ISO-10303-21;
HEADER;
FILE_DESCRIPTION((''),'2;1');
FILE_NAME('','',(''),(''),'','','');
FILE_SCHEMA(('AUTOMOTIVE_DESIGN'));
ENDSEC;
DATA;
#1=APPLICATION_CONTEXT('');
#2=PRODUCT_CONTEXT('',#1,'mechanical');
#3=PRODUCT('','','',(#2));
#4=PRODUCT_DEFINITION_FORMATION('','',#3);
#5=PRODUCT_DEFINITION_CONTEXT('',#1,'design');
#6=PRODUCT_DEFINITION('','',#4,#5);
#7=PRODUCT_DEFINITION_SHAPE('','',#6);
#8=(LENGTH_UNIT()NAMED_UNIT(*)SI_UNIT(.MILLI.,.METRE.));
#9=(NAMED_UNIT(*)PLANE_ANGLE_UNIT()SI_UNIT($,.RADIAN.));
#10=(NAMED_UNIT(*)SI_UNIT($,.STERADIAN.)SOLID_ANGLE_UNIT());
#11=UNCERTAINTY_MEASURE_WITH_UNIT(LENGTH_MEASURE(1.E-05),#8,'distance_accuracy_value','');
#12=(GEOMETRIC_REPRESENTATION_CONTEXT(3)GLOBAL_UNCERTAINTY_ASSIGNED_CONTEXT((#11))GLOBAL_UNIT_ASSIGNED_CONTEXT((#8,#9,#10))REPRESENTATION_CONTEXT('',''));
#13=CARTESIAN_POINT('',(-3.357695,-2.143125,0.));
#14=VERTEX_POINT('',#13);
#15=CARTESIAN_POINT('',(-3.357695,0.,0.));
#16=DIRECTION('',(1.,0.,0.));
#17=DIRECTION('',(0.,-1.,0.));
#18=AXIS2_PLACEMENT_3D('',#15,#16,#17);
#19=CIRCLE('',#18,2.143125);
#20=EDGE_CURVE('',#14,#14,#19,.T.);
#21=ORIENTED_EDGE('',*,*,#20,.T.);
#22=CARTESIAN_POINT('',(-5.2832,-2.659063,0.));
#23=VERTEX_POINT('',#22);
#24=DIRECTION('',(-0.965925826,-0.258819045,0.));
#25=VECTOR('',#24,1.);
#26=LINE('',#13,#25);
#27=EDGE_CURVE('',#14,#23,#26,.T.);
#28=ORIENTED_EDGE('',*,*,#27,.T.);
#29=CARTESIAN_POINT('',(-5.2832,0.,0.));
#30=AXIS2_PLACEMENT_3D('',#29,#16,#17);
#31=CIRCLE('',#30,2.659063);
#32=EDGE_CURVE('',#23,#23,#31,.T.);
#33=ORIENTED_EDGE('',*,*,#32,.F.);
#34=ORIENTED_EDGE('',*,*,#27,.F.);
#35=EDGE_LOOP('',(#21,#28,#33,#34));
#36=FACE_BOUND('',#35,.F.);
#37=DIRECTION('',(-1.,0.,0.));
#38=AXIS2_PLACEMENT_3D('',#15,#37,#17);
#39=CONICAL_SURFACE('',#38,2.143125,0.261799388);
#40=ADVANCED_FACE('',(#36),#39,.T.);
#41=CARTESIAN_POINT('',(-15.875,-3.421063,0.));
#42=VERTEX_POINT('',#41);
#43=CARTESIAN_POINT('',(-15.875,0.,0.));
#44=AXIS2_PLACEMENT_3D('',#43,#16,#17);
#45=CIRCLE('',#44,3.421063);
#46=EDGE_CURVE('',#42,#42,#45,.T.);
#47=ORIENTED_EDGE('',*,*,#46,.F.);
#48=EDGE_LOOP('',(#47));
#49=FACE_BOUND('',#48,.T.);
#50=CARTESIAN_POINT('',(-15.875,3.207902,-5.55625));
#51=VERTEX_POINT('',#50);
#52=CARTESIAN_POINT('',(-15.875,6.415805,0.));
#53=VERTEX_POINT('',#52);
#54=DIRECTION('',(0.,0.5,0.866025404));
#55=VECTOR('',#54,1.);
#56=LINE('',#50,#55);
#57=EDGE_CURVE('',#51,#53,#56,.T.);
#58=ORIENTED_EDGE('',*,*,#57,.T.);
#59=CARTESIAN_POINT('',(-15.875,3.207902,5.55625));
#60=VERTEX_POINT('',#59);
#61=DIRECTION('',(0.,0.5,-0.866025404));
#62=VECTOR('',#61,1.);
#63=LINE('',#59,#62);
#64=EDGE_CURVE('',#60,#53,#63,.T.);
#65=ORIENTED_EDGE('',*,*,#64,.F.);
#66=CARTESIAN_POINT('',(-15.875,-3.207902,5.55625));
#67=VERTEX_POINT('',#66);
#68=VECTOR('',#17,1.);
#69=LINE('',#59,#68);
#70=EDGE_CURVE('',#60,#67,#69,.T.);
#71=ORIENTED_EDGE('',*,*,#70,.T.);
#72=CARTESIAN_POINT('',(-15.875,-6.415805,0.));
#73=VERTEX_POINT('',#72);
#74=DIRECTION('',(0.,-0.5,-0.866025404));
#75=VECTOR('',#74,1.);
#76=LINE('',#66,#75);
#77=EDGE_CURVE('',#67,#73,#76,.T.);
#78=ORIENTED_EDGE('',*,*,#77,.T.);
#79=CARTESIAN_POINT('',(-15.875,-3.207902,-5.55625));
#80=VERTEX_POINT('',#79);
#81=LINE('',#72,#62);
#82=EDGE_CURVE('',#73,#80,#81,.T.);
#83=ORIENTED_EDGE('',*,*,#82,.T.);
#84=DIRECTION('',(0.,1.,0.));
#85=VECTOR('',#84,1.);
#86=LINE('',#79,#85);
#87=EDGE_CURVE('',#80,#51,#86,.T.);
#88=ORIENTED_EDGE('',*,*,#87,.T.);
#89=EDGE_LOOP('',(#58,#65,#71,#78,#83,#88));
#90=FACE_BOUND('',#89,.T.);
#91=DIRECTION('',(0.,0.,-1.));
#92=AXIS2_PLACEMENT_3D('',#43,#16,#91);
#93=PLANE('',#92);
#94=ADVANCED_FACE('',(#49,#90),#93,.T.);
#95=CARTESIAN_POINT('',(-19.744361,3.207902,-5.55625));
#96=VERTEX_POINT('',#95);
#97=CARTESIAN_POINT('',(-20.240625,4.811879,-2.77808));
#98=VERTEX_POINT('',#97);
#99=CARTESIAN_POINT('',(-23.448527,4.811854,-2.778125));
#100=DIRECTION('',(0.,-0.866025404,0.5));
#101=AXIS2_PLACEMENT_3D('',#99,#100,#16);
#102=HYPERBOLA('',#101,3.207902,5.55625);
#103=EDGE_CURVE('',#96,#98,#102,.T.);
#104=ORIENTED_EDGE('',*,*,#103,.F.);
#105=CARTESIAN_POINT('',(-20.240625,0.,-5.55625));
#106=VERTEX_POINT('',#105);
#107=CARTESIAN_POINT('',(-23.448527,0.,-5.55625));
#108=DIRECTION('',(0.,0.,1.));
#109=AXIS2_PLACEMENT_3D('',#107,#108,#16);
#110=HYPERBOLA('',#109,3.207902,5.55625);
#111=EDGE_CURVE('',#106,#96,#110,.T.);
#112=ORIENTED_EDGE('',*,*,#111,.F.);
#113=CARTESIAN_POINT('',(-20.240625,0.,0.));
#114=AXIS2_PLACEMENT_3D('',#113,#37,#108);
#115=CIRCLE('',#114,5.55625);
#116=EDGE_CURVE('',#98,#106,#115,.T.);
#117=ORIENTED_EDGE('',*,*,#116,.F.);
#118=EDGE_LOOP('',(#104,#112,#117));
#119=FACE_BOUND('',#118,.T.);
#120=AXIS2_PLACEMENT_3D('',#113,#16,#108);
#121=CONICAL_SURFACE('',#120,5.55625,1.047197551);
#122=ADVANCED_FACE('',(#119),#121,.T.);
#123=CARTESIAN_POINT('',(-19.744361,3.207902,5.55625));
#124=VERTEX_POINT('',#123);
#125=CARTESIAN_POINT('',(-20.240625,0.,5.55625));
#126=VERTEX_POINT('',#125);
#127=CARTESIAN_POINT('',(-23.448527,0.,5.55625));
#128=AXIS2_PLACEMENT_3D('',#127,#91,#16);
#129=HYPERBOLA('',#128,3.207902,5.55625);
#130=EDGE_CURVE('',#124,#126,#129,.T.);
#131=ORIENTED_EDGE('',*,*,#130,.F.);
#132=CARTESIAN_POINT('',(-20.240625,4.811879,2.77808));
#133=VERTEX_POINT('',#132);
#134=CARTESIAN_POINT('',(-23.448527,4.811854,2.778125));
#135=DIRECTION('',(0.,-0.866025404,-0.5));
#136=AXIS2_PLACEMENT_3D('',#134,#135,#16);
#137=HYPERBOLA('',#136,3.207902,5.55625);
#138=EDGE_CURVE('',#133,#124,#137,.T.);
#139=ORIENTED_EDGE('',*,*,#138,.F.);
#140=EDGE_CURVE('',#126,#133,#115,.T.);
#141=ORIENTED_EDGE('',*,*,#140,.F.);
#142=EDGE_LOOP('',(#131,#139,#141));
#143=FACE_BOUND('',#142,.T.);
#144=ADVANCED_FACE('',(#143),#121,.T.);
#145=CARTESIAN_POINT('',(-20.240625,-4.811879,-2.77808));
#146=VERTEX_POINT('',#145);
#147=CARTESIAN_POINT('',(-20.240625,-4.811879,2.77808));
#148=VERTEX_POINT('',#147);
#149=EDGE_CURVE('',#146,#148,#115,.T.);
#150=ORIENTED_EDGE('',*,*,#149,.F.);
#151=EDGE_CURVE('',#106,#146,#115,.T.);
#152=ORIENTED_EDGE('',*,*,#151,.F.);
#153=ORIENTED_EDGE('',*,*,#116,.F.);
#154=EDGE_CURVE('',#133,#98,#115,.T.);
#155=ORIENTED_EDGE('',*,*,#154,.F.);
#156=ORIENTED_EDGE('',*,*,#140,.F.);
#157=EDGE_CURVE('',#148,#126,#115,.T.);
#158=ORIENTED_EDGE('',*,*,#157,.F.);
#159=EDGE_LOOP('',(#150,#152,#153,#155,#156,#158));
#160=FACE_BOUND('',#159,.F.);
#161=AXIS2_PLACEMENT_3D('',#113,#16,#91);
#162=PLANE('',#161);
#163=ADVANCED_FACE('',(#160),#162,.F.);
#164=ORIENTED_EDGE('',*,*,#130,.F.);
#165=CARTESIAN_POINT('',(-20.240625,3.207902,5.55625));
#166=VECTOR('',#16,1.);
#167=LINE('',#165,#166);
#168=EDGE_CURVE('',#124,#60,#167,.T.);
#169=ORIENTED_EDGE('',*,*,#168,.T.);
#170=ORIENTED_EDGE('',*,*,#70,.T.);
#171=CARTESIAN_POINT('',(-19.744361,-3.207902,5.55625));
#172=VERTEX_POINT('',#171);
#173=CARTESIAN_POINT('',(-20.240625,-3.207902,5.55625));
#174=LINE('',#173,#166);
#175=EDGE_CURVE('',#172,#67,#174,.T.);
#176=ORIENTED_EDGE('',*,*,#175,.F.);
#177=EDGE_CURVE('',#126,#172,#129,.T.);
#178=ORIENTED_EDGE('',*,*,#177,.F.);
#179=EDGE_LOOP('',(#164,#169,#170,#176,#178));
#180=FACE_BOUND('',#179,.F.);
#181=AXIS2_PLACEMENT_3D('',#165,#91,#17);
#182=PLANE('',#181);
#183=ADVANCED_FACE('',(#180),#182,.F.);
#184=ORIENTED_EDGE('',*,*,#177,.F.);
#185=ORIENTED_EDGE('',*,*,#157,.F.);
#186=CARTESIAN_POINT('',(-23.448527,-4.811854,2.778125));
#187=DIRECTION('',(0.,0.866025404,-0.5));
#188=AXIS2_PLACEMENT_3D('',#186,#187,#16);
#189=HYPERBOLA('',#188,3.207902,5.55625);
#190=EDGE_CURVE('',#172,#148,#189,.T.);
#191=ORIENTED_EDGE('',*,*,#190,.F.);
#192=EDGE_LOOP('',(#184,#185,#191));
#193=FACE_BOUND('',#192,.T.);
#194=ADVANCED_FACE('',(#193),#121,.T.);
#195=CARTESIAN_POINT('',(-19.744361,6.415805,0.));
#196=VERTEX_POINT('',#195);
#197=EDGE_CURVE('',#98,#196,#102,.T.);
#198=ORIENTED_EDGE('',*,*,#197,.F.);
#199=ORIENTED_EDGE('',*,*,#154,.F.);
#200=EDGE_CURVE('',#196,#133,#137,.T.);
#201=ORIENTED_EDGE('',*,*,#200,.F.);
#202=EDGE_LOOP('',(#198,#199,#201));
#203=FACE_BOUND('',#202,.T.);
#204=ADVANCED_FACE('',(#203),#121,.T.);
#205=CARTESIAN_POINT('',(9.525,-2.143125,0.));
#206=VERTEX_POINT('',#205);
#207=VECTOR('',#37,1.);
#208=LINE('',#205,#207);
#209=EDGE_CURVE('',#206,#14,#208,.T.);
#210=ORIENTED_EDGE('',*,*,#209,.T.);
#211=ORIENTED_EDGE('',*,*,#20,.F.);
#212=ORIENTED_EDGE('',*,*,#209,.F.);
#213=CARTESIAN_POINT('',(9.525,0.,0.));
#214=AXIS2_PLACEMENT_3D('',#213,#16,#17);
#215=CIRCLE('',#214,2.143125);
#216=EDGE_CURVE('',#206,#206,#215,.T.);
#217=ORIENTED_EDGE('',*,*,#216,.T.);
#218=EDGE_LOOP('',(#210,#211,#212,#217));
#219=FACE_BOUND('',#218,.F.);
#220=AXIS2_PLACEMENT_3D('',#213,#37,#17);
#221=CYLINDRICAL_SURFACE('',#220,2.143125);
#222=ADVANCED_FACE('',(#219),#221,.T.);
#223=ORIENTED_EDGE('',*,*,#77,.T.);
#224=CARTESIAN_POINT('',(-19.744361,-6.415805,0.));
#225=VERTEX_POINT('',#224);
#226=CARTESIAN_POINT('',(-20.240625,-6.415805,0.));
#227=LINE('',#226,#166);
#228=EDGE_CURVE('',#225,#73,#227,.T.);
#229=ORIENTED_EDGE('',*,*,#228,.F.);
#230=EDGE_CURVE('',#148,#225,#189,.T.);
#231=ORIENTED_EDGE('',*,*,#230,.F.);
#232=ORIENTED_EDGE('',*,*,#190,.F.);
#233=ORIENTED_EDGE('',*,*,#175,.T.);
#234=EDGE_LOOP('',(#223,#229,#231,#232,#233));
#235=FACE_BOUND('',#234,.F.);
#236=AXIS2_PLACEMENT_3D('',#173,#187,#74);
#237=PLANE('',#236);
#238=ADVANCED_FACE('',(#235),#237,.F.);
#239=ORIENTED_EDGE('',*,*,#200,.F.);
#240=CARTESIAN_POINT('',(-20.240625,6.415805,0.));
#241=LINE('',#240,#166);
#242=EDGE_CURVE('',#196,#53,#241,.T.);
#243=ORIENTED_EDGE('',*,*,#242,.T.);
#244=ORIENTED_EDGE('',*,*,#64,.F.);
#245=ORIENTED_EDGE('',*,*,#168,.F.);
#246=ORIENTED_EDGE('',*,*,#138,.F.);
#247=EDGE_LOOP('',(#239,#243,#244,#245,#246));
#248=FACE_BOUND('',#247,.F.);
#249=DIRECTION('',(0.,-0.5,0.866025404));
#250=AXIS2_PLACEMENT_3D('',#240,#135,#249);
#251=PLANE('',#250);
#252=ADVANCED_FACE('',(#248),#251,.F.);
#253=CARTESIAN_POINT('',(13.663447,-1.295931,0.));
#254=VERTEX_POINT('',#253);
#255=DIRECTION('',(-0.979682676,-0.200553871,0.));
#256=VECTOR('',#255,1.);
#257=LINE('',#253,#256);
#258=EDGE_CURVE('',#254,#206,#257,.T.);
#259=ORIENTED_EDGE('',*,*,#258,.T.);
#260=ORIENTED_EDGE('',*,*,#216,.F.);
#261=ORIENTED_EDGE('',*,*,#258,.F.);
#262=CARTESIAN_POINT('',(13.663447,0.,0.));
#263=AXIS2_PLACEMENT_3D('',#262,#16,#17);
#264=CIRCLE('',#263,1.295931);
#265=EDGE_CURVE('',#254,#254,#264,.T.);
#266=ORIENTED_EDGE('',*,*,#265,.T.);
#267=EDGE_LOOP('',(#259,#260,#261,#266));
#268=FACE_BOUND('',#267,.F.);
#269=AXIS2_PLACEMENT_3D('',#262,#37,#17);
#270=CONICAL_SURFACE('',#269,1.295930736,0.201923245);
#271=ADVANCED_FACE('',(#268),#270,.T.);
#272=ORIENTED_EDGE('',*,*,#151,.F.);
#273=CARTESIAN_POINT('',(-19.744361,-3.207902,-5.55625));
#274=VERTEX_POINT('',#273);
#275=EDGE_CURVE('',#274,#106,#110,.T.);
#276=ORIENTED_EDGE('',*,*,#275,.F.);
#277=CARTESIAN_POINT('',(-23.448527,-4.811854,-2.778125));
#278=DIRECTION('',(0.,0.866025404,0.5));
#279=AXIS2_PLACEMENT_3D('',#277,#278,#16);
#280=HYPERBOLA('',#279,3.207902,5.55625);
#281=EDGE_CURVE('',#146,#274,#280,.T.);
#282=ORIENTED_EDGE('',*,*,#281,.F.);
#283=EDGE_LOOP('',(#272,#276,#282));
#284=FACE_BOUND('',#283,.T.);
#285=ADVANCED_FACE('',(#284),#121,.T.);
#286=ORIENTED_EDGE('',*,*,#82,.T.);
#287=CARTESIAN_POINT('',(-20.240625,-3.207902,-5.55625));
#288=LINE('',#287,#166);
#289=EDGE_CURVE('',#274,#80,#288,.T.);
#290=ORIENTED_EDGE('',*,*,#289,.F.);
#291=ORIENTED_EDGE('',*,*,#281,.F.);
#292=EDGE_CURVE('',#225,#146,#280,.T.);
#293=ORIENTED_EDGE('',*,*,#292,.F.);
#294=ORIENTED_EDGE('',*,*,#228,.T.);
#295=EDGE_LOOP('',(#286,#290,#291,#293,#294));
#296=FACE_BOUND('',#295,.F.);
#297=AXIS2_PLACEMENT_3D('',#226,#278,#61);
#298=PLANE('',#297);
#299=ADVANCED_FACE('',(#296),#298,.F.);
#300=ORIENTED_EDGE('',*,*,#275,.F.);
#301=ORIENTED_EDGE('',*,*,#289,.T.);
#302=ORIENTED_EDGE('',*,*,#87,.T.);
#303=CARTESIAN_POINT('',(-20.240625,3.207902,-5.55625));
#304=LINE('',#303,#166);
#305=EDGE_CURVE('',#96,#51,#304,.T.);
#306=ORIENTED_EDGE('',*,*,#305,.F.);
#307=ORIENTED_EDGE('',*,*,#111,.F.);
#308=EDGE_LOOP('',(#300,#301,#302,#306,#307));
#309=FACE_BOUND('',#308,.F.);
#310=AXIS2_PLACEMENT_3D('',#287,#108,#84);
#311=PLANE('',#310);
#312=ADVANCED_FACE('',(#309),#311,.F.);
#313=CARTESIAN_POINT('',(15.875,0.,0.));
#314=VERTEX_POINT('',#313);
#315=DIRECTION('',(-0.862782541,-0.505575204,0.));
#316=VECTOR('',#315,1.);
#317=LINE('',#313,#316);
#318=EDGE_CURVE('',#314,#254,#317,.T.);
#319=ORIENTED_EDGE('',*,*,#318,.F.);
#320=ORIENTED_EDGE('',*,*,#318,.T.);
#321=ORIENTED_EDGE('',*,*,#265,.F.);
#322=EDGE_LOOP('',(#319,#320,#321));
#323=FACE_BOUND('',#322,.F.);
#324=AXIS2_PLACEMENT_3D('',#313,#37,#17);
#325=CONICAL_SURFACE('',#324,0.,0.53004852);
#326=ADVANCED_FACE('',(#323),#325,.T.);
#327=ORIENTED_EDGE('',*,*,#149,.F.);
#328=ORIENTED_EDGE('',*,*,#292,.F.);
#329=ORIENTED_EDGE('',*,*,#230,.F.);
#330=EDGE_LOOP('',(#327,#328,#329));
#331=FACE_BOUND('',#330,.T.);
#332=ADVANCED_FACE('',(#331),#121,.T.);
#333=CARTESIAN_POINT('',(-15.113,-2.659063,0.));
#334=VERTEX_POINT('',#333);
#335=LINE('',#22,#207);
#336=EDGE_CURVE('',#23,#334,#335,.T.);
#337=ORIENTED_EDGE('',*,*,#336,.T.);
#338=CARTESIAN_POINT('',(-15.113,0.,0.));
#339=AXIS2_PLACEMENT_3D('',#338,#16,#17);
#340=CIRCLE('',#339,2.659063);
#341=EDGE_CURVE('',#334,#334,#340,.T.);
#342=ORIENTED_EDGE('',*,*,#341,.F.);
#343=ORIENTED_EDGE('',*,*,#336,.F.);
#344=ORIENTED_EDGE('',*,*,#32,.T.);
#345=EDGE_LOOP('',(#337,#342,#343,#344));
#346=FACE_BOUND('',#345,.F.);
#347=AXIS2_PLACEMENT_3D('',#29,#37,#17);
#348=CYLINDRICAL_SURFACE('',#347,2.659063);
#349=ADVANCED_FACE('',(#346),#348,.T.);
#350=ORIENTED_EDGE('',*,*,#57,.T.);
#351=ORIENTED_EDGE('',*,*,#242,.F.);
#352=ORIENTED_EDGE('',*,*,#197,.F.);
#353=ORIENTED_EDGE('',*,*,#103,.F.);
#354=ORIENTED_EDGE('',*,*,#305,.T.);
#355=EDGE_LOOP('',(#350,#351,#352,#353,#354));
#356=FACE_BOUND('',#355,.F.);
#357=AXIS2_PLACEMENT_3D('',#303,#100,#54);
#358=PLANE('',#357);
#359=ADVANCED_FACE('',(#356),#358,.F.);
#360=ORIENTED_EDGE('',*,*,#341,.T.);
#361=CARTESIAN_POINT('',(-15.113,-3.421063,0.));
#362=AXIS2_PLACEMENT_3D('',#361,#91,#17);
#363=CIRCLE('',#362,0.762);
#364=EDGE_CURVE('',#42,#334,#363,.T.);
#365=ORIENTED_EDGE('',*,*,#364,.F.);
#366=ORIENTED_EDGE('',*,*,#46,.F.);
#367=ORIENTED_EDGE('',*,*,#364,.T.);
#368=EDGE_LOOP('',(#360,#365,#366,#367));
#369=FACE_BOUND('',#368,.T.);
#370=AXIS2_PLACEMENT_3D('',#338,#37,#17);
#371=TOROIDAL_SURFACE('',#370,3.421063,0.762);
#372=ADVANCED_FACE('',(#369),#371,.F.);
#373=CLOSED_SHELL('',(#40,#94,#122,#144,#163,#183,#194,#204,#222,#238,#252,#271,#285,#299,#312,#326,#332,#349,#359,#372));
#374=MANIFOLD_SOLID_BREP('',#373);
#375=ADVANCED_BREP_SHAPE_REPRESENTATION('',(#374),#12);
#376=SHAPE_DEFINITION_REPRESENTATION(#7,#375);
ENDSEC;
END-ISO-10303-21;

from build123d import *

# Parameters (mm, degrees)
BOSS_EXTRUDE2_START = -20.240625
BOSS_EXTRUDE2_DEPTH = 4.365625
SKETCH16_OUTSIDE_W  = 153.074
SKETCH16_OUTSIDE_H  = 154.794
SKETCH16_OUTSIDE_R  = 5.55625
CUT_EXTRUDE7_DEPTH  = 38.099499124
CUT_EXTRUDE7_DRAFT  = -60
FILLET1_R           = 0.762


with BuildPart() as part:
    # Sketch6 → Revolve1 (revolve)
    with BuildSketch(Plane.XY, mode=Mode.PRIVATE) as revolve1_sk:
        Polygon((9.525, 2.143125), (-3.357695036, 2.143125), (-5.2832, 2.6590625), (-15.875, 2.6590625), (-15.875, 5.55625), (-20.240625, 5.55625), (-20.240625, 0), (15.875, 0), (13.663446892, 1.295930736), align=None)
    revolve(revolve1_sk.sketch.rotate(Axis((-20.240625, 0, 0), (1, 0, 0)), 180), axis=Axis((-20.240625, 0, 0), (1, 0, 0)))

    # Sketch15 → Boss-Extrude2 (add)
    with BuildSketch(Plane(origin=(0, 0, 0), x_dir=(0, 0, -1), z_dir=(1, 0, 0)).offset(BOSS_EXTRUDE2_START)):
        Polygon((0, 6.415804866), (-5.55625, 3.207902433), (-5.55625, -3.207902433), (0, -6.415804866), (5.55625, -3.207902433), (5.55625, 3.207902433), align=None)
    extrude(amount=BOSS_EXTRUDE2_DEPTH)


with BuildPart() as cut_extrude7_tool:
    # Sketch16 outside → Cut-Extrude7 (with draft: the straight prism first)
    with BuildSketch(Plane.ZY.offset(20.240625)):
        Rectangle(SKETCH16_OUTSIDE_W, SKETCH16_OUTSIDE_H)
        Circle(SKETCH16_OUTSIDE_R, mode=Mode.SUBTRACT)
    extrude(amount=-CUT_EXTRUDE7_DEPTH)
    # Cut-Extrude7: the draft: its side faces are tilted about the plane it starts from
    cut_extrude7_sides = [cut_extrude7_tool.faces().sort_by_distance(p)[0] for p in [
        (-1.190875438, -77.397, 0),
        (-1.190875438, 0, 76.537),
        (-1.190875438, 77.397, 0),
        (-1.190875438, 0, -76.537),
        (-1.190875438, 0, -5.55625),
    ]]
    draft(cut_extrude7_sides, Plane.ZY.offset(20.240625), CUT_EXTRUDE7_DRAFT)


with BuildPart() as part_1:
    add(part.part)

    # Cut-Extrude7: cut by cut_extrude7_tool
    add(cut_extrude7_tool.part, mode=Mode.SUBTRACT)

    # Fillet1
    fillet1_edges = [part_1.edges().sort_by_distance(p)[0] for p in [
        (-15.875, 2.6590625, 0),
    ]]
    fillet(fillet1_edges, radius=FILLET1_R)


solid = part_1.part
